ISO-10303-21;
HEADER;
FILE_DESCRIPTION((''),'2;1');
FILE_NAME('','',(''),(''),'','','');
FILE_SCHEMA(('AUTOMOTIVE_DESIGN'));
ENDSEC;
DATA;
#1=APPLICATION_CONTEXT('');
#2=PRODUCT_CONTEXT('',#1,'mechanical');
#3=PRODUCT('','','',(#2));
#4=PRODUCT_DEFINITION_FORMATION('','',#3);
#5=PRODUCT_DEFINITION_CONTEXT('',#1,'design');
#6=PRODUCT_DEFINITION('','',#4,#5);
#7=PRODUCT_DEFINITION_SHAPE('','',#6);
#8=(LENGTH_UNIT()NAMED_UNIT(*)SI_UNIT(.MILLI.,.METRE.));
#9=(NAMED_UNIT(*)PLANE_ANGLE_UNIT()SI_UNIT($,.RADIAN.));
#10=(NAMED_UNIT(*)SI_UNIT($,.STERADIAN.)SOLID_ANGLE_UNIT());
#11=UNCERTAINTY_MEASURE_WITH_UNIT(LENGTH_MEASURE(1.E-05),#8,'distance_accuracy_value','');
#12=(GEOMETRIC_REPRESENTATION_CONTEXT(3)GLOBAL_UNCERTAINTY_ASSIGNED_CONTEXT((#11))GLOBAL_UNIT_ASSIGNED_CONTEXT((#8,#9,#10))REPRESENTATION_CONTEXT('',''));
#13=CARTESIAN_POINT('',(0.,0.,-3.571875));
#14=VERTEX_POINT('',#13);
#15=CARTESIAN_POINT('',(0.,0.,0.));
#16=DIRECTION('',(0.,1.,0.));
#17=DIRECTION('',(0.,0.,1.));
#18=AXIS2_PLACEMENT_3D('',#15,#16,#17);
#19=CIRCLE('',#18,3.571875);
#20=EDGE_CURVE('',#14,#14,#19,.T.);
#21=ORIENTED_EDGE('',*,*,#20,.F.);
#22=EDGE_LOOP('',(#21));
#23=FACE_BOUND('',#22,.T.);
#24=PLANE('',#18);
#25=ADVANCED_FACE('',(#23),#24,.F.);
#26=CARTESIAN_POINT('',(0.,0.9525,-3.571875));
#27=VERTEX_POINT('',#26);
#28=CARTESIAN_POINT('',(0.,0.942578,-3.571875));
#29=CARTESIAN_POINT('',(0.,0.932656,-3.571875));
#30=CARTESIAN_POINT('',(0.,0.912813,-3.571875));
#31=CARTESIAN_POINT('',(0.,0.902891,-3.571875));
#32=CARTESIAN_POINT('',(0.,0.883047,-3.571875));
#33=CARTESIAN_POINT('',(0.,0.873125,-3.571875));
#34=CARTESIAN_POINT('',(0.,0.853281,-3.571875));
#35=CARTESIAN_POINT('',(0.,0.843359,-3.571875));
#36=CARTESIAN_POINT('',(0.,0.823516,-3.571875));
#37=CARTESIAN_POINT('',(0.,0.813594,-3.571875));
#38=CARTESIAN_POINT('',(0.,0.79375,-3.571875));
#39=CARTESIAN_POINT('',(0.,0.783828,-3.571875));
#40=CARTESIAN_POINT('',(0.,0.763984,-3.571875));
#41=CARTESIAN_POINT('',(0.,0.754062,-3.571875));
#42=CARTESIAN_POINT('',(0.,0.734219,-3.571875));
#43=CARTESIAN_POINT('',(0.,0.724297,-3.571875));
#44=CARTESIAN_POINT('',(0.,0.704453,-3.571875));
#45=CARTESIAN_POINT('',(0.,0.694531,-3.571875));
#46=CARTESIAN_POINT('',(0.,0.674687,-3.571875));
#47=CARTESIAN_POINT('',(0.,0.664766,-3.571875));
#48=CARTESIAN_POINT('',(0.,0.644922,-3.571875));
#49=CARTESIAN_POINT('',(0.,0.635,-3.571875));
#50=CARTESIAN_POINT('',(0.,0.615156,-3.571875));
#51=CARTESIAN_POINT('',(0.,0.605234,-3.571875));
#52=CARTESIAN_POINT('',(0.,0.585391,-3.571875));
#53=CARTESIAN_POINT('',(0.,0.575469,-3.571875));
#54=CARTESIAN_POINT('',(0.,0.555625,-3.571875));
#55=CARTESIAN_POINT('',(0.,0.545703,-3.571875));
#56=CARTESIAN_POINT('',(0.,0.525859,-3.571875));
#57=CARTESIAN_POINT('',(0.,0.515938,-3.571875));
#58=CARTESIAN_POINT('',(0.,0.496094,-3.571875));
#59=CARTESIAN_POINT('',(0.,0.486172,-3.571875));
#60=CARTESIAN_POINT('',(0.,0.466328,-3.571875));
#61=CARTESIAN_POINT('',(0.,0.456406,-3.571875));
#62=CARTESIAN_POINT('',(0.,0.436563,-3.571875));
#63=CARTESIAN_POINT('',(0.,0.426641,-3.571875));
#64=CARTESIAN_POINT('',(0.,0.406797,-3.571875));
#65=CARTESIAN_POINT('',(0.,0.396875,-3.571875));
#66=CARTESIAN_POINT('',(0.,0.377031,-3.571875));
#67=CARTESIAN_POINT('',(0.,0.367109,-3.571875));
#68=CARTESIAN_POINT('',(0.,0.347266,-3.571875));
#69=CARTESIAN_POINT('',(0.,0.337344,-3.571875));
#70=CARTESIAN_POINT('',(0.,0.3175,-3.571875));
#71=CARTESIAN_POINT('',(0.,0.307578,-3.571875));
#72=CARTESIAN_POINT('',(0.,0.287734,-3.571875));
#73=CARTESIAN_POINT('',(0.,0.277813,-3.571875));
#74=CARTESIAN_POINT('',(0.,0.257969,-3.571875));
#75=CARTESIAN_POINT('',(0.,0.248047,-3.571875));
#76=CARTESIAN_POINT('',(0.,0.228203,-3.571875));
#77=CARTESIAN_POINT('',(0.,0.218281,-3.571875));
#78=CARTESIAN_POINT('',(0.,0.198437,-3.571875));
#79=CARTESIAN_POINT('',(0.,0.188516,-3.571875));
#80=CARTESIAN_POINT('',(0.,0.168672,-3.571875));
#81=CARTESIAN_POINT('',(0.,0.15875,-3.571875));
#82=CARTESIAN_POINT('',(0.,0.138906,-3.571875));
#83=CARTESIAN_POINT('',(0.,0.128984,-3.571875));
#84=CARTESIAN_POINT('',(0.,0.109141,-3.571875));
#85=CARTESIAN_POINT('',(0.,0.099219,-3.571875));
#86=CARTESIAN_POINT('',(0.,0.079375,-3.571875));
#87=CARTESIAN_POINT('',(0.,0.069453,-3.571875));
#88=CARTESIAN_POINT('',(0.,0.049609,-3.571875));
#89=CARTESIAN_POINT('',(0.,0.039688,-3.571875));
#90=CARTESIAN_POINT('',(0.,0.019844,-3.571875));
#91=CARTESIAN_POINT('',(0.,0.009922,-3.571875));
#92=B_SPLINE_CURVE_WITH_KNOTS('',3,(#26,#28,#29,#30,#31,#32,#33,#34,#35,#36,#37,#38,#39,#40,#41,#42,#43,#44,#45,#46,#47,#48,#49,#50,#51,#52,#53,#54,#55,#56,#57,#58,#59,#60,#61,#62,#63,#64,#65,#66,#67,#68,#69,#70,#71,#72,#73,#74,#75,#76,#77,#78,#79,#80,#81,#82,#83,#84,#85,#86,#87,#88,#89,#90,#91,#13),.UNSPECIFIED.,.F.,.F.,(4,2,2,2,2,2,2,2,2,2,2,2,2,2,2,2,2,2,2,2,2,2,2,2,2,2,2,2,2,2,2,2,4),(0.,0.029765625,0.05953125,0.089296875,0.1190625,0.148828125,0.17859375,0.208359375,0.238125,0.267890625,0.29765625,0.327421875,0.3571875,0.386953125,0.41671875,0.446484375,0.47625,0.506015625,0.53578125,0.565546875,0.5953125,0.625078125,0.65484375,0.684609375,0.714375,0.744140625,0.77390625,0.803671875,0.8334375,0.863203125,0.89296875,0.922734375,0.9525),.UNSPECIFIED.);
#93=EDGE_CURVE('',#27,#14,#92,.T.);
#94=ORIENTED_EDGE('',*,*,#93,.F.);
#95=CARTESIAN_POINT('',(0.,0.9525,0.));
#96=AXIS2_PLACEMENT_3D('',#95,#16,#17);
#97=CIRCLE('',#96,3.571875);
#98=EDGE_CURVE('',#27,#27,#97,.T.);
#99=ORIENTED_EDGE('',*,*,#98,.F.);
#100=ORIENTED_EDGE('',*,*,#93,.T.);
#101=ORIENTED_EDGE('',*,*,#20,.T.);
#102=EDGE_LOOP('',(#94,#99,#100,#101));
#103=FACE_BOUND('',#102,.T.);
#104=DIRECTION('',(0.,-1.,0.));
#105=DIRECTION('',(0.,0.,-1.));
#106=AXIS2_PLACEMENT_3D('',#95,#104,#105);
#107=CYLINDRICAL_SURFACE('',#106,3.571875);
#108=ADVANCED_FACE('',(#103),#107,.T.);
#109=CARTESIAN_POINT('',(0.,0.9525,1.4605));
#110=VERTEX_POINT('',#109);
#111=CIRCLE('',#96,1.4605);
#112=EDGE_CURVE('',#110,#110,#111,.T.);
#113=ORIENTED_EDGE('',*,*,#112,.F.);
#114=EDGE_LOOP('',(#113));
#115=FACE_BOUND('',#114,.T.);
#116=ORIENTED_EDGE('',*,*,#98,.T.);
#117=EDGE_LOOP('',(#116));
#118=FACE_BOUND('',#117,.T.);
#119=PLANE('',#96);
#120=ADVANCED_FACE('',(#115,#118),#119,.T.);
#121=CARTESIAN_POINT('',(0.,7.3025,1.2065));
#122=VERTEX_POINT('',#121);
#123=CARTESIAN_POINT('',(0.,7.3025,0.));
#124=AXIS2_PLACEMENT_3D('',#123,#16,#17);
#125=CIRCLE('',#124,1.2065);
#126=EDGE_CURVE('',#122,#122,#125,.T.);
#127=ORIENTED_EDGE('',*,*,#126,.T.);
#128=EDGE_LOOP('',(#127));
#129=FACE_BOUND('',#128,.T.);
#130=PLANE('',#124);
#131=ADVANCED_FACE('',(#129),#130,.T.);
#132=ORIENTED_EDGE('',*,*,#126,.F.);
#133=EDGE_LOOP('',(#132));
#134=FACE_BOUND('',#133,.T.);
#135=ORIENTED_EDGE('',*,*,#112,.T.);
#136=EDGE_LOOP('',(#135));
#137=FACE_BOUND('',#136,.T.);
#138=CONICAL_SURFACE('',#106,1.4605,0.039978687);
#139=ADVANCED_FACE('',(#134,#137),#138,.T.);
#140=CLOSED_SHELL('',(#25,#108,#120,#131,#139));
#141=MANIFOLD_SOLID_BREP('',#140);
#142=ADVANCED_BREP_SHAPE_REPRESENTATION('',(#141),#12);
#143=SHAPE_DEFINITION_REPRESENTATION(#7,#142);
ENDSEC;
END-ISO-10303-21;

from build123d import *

# Parameters (mm, degrees)
SKETCH1_R           = 3.571875
BOSS_EXTRUDE1_DEPTH = 0.9525
SKETCH2_R           = 1.4605
BOSS_EXTRUDE2_DEPTH = 6.35


with BuildPart() as part:
    # Sketch1 → Boss-Extrude1 (new body)
    with BuildSketch(Plane(origin=(0, 0, 0), x_dir=(1, 0, 0), z_dir=(0, 1, 0))):
        with Locations(Location((0, 0, 0), (0, 0, 90))):
            Circle(SKETCH1_R)
    extrude(amount=BOSS_EXTRUDE1_DEPTH)

    # Sketch2 → Boss-Extrude2 (add)
    with BuildSketch(Plane(origin=(0, 0.9525, 0), x_dir=(1, 0, 0), z_dir=(0, 1, 0))):
        with Locations(Location((0, 0, 0), (0, 0, 270))):
            Circle(SKETCH2_R)
    extrude(amount=BOSS_EXTRUDE2_DEPTH)

    # Sketch3 → Cut-Revolve1 (revolve, cut)
    with BuildSketch(Plane(origin=(0, 0, 0), x_dir=(0, 0, -1), z_dir=(1, 0, 0))):
        Polygon((-1.4605, 0.9525), (-1.2065, 7.3025), (-1.4605, 7.3025), (-1.738282531, 7.3025), align=None)
    revolve(axis=Axis((0, 7.3025, 0), (0, -1, 0)), mode=Mode.SUBTRACT)


solid = part.part
